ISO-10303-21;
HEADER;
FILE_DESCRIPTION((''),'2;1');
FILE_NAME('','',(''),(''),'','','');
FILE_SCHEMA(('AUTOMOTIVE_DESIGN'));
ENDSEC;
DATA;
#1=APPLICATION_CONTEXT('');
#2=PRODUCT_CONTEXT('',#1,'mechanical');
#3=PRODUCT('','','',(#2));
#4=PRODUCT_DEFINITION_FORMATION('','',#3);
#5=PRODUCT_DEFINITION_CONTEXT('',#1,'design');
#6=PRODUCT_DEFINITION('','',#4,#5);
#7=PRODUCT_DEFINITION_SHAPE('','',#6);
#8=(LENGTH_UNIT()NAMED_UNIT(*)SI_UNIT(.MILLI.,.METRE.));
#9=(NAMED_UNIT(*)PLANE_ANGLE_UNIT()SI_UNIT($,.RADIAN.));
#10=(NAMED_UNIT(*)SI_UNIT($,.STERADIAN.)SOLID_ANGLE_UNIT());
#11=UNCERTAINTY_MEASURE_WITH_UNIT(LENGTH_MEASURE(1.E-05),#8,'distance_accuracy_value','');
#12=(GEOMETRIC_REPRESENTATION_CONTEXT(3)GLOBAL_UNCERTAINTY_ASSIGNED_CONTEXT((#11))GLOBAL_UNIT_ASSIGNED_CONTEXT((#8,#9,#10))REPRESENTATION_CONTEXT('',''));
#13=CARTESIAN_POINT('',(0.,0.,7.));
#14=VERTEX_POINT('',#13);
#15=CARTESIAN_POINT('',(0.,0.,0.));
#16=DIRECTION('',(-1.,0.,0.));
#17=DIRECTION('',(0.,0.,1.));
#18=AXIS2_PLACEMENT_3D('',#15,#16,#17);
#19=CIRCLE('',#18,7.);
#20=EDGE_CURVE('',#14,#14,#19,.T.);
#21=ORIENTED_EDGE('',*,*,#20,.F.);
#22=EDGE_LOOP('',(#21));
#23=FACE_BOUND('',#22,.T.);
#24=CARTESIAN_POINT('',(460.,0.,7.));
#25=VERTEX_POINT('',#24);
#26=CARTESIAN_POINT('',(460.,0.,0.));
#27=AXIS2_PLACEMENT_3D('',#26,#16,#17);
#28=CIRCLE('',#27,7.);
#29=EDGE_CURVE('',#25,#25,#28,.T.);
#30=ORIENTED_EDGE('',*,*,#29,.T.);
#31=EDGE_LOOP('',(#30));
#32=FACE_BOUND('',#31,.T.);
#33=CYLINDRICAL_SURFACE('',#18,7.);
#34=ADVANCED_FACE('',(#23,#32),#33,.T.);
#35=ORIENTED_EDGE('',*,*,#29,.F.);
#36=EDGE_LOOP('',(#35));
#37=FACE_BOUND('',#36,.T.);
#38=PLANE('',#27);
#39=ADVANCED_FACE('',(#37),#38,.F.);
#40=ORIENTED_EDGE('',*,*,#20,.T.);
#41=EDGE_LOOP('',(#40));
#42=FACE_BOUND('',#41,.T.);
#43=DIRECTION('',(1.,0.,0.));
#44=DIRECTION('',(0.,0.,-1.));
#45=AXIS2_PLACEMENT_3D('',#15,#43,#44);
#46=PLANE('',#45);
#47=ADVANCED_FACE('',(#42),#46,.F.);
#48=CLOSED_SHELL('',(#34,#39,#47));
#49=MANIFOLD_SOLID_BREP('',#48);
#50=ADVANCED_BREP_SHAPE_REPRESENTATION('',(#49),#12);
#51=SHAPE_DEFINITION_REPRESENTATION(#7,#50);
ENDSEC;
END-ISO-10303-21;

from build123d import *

# Parameters (mm, degrees)
ESQUISSE1_W = 460
ESQUISSE1_H = 7


with BuildPart() as part:
    # Esquisse1 → Révolution1 (revolve)
    with BuildSketch(Plane(origin=(0, 0, 0), x_dir=(1, 0, 0), z_dir=(0, 1, 0)), mode=Mode.PRIVATE) as r_volution1_sk:
        with Locations((230, 3.5)):
            Rectangle(ESQUISSE1_W, ESQUISSE1_H)
    revolve(r_volution1_sk.sketch.rotate(Axis((0, 0, 0), (1, 0, 0)), 180), axis=Axis((0, 0, 0), (1, 0, 0)))


solid = part.part
